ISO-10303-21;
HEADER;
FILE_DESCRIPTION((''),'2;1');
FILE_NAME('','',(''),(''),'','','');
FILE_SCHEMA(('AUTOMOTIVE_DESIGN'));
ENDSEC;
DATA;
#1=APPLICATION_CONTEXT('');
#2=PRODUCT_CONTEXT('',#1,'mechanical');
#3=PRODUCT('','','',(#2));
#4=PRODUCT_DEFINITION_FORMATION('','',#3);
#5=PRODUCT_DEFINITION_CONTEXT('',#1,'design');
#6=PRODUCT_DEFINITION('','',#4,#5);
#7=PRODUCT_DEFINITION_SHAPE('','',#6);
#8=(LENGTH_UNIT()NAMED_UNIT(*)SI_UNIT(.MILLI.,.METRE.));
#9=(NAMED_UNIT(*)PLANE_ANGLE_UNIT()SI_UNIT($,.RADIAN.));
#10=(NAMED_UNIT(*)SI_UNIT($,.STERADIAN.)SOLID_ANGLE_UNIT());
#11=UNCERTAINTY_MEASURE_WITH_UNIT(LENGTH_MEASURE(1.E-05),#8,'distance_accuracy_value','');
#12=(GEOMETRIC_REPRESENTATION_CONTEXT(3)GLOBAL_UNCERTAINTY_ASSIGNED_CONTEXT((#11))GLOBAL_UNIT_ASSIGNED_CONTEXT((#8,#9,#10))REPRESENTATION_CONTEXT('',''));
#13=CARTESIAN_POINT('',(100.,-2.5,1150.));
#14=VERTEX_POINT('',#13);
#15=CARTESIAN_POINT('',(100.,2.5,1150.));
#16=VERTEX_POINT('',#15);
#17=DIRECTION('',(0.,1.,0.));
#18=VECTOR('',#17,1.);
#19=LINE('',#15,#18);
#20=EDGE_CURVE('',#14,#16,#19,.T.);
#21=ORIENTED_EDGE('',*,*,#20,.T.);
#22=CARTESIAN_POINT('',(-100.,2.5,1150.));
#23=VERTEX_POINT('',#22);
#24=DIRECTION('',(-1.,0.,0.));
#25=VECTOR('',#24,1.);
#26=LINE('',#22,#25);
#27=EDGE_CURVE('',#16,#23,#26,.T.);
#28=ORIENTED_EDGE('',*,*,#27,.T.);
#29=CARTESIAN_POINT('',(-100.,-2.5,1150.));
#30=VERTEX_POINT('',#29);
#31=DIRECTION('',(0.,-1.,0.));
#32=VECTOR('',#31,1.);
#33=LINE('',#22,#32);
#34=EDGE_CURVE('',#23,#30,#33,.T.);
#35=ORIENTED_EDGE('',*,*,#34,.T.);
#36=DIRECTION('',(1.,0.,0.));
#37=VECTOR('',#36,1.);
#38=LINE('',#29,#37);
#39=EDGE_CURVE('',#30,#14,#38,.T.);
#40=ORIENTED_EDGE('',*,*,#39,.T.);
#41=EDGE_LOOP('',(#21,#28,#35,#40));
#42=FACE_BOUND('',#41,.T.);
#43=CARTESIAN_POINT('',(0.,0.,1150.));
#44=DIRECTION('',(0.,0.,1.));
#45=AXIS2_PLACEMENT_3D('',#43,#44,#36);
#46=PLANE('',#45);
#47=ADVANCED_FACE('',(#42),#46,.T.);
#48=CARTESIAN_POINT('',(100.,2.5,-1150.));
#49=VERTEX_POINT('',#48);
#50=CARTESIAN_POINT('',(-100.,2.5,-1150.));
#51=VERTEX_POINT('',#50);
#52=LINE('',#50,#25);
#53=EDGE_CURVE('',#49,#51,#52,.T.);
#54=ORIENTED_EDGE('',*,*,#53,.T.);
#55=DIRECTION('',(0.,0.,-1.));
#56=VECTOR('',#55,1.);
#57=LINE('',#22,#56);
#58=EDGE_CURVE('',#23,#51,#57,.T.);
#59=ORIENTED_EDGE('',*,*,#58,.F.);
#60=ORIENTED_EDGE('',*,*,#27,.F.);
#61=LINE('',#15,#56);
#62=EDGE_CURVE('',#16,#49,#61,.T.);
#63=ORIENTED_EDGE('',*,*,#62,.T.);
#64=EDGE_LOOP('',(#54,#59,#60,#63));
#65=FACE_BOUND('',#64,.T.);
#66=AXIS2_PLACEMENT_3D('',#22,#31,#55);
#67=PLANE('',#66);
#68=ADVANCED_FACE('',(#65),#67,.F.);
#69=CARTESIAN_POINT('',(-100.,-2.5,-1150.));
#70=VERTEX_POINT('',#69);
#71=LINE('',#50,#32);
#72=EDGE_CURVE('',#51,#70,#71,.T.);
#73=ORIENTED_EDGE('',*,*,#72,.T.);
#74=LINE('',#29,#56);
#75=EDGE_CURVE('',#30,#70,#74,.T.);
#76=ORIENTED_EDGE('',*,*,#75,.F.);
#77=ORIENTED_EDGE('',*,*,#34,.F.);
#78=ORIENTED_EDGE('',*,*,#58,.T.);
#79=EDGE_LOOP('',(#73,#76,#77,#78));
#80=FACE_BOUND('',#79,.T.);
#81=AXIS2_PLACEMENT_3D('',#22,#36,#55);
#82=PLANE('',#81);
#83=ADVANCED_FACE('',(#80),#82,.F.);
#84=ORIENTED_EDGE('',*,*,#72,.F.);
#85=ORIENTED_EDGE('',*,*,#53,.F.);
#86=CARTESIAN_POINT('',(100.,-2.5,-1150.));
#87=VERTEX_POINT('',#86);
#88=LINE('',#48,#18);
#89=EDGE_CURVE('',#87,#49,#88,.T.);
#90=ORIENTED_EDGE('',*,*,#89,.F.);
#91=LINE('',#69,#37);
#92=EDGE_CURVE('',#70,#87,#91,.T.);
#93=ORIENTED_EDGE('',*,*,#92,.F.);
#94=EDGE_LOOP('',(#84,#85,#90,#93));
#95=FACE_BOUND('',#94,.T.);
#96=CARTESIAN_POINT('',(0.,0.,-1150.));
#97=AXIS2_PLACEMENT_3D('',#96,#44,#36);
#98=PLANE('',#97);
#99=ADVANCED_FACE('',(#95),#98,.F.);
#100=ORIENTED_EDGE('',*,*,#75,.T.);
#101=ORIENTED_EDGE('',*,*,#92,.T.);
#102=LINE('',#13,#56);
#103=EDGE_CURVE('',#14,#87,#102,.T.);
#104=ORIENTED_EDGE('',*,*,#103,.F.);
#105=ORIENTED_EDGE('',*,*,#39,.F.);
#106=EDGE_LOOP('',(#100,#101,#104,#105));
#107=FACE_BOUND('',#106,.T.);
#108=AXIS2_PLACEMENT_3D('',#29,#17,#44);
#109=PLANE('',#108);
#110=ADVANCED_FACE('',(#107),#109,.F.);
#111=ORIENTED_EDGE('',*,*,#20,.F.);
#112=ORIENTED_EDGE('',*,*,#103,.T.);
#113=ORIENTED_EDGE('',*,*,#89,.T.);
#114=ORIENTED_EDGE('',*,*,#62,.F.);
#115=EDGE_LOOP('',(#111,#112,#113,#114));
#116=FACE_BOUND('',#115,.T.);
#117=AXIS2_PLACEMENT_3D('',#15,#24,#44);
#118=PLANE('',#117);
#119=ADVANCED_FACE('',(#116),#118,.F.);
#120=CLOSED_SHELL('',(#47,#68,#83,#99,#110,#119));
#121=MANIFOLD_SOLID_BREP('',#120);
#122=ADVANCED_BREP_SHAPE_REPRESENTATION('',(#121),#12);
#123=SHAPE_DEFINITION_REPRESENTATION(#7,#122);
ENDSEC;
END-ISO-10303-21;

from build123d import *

# Parameters (mm, degrees)
SKETCH_1_W      = 200
SKETCH_1_H      = 5
EXTRUDE_1_DEPTH = 1150


with BuildPart() as part:
    # Эскиз1 → Бобышка-Вытянуть1 (new, symmetric)
    with BuildSketch(Plane.XY):
        Rectangle(SKETCH_1_W, SKETCH_1_H)
    extrude(amount=EXTRUDE_1_DEPTH, both=True)


solid = part.part
